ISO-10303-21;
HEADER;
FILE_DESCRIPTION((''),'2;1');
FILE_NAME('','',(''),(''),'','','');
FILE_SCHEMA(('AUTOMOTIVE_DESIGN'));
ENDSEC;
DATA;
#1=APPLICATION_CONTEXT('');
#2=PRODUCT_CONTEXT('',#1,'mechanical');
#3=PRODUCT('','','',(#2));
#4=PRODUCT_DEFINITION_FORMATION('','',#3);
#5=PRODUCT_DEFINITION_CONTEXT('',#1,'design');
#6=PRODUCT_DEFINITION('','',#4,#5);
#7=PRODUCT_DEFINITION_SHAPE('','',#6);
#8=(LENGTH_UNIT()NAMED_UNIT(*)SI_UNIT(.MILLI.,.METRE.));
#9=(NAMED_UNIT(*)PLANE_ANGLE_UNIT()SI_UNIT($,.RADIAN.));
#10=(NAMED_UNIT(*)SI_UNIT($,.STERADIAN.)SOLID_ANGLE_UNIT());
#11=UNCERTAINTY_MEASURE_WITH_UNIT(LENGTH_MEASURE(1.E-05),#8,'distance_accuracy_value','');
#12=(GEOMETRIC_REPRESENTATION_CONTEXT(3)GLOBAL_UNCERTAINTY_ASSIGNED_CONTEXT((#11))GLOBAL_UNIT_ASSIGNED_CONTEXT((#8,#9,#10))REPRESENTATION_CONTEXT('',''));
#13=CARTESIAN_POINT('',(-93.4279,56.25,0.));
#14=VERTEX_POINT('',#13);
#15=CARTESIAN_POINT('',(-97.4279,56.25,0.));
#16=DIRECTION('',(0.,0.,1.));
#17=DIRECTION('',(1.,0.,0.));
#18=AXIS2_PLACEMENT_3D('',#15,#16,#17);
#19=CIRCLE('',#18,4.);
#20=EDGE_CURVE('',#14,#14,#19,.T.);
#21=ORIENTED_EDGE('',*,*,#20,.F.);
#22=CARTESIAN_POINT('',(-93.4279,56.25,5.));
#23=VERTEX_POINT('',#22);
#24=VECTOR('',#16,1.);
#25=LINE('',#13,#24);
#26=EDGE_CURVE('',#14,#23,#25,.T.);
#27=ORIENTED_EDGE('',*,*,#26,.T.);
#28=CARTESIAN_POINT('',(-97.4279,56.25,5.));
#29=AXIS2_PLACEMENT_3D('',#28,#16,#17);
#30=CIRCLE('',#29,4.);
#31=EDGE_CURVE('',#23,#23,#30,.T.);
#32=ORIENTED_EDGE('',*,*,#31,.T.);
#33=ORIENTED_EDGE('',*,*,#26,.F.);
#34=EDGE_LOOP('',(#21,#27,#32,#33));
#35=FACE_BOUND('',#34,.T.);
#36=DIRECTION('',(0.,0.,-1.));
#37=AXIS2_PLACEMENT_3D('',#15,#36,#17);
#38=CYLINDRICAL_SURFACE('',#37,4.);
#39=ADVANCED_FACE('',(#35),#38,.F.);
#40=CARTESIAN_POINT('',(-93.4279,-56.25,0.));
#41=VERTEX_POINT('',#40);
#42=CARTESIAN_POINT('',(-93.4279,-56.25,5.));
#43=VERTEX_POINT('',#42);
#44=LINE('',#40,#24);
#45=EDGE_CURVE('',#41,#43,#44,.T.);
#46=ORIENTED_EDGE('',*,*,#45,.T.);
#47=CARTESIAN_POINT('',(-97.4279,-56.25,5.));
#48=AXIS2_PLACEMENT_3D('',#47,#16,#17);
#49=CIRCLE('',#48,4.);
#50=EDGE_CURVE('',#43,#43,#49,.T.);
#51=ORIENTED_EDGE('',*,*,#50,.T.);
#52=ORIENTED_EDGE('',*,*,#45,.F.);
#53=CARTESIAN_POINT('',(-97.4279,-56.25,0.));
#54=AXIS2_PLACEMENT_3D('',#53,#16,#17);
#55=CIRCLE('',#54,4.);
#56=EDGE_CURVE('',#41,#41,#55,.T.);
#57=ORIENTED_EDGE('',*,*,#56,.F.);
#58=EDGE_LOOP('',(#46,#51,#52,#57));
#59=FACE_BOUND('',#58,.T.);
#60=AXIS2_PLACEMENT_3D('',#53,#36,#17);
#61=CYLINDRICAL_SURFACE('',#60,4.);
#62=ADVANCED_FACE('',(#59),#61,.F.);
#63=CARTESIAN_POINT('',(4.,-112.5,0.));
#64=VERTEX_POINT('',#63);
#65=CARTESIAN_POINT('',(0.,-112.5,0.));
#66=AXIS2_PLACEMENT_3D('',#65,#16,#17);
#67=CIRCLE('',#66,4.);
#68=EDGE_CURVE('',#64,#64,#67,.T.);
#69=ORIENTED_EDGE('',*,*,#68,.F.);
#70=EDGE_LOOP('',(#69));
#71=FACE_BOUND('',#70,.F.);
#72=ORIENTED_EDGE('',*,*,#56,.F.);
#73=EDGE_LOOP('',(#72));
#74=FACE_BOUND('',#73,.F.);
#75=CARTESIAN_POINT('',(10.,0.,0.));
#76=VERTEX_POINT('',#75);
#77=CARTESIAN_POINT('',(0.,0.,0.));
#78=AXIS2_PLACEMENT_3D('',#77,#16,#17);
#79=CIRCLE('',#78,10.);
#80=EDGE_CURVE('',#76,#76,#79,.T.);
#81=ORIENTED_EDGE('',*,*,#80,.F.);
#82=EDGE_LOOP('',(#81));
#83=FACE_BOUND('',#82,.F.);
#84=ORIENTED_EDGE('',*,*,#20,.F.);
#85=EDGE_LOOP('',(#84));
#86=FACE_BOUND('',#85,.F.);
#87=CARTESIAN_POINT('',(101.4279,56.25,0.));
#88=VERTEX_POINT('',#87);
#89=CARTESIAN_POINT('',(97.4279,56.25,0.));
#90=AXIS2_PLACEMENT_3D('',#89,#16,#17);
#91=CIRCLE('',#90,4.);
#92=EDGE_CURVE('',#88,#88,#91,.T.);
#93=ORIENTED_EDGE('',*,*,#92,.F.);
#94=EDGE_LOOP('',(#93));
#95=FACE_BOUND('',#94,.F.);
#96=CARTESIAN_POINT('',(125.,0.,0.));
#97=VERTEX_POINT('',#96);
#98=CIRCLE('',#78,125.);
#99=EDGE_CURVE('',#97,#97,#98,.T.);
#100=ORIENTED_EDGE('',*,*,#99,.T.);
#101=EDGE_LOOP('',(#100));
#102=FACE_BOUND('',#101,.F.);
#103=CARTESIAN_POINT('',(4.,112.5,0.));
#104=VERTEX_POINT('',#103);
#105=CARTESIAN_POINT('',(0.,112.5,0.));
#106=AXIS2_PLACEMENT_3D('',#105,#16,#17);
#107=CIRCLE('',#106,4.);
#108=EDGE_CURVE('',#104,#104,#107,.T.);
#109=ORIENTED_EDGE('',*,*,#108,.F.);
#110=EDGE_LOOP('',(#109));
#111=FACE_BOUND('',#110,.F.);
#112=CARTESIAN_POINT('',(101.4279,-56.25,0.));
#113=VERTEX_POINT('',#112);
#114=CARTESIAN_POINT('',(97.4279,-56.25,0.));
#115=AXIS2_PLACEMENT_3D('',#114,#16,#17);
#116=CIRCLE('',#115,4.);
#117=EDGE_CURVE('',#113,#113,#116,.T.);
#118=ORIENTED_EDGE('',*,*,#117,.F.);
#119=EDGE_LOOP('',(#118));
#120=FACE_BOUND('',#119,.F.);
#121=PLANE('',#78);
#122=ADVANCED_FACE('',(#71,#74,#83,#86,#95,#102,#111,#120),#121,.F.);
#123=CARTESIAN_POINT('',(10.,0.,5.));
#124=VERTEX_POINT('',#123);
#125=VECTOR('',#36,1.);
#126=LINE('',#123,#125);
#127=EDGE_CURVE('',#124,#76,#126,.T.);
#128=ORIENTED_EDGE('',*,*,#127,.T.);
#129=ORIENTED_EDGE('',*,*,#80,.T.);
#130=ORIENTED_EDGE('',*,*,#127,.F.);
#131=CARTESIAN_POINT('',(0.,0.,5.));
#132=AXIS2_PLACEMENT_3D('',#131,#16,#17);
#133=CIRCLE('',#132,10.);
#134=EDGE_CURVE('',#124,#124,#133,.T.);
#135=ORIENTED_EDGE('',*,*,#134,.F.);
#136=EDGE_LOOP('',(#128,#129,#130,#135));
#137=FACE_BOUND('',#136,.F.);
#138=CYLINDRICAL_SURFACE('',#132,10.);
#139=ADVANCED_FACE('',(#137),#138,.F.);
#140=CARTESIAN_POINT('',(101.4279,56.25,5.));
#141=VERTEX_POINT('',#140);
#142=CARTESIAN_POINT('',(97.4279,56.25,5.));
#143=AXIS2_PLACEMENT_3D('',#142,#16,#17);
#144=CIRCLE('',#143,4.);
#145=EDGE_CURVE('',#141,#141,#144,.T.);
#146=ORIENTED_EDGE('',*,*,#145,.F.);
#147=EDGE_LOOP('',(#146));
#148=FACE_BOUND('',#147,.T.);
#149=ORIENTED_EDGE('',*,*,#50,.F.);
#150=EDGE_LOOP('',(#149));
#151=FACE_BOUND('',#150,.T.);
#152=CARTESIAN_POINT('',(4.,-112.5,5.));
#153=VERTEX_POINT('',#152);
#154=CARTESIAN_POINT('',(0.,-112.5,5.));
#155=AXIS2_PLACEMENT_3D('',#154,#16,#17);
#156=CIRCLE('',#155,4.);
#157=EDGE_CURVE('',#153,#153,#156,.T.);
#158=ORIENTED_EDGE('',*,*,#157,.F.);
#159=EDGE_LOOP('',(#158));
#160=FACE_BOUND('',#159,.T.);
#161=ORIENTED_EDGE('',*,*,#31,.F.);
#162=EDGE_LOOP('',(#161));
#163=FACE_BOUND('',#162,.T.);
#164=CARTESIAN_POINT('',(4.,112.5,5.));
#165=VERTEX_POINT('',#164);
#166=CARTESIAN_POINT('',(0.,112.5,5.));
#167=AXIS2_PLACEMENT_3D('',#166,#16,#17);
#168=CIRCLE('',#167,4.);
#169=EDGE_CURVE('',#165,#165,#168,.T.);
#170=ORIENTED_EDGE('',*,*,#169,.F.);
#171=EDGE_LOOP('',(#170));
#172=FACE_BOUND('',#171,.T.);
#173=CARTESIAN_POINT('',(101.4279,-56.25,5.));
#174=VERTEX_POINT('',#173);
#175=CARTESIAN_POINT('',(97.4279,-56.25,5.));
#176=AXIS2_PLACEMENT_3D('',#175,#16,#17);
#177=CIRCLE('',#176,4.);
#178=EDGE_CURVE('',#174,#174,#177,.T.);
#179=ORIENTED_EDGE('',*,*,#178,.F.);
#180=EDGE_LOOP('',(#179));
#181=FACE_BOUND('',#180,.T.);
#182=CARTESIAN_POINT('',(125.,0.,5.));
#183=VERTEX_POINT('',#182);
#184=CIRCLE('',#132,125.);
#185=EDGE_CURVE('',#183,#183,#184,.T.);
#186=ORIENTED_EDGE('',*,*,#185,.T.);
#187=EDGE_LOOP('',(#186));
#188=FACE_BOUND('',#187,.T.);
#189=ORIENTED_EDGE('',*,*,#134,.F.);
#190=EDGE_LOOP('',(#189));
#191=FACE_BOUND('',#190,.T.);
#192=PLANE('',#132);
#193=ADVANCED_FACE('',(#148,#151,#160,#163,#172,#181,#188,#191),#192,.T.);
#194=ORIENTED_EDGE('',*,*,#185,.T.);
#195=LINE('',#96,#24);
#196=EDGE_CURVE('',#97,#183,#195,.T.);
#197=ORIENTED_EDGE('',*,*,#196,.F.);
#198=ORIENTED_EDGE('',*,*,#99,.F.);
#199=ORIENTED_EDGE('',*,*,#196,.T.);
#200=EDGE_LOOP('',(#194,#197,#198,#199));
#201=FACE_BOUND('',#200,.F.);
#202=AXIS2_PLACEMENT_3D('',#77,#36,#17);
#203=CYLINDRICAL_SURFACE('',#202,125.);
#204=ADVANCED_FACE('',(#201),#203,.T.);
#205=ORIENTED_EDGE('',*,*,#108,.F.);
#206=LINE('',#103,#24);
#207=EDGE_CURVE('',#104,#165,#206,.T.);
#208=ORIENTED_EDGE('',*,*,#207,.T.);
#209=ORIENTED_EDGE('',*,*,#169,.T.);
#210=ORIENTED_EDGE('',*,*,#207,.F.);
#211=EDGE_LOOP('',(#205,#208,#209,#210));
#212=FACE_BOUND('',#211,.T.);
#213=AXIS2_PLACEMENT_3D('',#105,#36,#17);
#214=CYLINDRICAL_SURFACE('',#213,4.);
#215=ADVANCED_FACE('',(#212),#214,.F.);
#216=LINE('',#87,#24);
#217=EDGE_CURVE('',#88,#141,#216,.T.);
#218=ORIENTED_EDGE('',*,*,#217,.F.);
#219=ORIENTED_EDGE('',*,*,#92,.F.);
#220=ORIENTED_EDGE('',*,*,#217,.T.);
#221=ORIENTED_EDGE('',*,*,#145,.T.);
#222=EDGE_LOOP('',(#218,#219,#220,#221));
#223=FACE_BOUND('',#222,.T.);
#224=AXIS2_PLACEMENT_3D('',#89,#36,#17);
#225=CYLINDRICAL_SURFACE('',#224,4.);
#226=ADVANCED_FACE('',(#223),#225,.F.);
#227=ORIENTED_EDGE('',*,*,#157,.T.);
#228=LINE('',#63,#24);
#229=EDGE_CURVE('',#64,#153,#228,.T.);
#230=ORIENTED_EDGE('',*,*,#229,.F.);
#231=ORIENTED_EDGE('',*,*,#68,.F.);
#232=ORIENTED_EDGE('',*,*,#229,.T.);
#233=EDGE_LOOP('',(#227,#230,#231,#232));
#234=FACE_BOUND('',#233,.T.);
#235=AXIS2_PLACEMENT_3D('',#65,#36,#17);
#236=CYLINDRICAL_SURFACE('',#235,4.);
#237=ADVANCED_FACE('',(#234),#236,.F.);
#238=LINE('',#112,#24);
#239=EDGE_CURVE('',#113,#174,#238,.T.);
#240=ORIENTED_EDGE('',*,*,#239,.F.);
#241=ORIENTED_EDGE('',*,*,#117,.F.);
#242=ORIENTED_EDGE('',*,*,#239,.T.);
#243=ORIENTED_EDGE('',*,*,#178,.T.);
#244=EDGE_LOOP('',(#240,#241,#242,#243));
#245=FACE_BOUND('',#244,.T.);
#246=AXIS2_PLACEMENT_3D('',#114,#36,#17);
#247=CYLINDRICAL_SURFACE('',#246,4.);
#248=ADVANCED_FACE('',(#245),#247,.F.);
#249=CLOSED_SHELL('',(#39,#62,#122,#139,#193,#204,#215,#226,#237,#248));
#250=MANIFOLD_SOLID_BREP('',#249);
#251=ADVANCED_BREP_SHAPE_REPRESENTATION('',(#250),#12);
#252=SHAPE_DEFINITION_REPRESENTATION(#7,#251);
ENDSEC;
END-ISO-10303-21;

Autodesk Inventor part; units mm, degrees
ref_plane "YZ Plane" through (0, 0, 0) normal (1, 0, 0) x (0, 1, 0)
ref_plane "XZ Plane" through (0, 0, 0) normal (0, 1, 0) x (-1, 0, 0)
ref_plane "XY Plane" through (0, 0, 0) normal (0, 0, 1) x (1, 0, 0)
ref_plane "РабПлоскость1" through (0, 0, 0) normal (0, 0, 1) x (1, 0, 0)
sketch "Эскиз1" plane through (0, 0, 0) normal (0, 0, 1) x (1, 0, 0)
  circle A0 centre (97.4279, 56.25) radius 4 projected
  circle A1 centre (97.4279, -56.25) radius 4 projected
  circle A2 centre (0, -112.5) radius 4 projected
  circle A3 centre (-97.4279, -56.25) radius 4 projected
  circle A4 centre (-97.4279, 56.25) radius 4 projected
  circle A5 centre (0, 112.5) radius 4 projected
  circle A6 centre (0, 0) radius 125 projected
  circle A7 centre (0, 0) radius 100 projected
extrude "Выдавливание1" add sketch "Эскиз1" along normal blind 5 contours A6 | A7
sketch "Эскиз2" plane through (0, 0, 5) normal (0, 0, 1) x (1, 0, 0)
  circle A0 centre (0, 0) radius 10
  dimension "d2" = 20
extrude "Выдавливание2" cut sketch "Эскиз2" against normal blind 5
properties part number "Крышка картера 4" material "Чугун, серый"
